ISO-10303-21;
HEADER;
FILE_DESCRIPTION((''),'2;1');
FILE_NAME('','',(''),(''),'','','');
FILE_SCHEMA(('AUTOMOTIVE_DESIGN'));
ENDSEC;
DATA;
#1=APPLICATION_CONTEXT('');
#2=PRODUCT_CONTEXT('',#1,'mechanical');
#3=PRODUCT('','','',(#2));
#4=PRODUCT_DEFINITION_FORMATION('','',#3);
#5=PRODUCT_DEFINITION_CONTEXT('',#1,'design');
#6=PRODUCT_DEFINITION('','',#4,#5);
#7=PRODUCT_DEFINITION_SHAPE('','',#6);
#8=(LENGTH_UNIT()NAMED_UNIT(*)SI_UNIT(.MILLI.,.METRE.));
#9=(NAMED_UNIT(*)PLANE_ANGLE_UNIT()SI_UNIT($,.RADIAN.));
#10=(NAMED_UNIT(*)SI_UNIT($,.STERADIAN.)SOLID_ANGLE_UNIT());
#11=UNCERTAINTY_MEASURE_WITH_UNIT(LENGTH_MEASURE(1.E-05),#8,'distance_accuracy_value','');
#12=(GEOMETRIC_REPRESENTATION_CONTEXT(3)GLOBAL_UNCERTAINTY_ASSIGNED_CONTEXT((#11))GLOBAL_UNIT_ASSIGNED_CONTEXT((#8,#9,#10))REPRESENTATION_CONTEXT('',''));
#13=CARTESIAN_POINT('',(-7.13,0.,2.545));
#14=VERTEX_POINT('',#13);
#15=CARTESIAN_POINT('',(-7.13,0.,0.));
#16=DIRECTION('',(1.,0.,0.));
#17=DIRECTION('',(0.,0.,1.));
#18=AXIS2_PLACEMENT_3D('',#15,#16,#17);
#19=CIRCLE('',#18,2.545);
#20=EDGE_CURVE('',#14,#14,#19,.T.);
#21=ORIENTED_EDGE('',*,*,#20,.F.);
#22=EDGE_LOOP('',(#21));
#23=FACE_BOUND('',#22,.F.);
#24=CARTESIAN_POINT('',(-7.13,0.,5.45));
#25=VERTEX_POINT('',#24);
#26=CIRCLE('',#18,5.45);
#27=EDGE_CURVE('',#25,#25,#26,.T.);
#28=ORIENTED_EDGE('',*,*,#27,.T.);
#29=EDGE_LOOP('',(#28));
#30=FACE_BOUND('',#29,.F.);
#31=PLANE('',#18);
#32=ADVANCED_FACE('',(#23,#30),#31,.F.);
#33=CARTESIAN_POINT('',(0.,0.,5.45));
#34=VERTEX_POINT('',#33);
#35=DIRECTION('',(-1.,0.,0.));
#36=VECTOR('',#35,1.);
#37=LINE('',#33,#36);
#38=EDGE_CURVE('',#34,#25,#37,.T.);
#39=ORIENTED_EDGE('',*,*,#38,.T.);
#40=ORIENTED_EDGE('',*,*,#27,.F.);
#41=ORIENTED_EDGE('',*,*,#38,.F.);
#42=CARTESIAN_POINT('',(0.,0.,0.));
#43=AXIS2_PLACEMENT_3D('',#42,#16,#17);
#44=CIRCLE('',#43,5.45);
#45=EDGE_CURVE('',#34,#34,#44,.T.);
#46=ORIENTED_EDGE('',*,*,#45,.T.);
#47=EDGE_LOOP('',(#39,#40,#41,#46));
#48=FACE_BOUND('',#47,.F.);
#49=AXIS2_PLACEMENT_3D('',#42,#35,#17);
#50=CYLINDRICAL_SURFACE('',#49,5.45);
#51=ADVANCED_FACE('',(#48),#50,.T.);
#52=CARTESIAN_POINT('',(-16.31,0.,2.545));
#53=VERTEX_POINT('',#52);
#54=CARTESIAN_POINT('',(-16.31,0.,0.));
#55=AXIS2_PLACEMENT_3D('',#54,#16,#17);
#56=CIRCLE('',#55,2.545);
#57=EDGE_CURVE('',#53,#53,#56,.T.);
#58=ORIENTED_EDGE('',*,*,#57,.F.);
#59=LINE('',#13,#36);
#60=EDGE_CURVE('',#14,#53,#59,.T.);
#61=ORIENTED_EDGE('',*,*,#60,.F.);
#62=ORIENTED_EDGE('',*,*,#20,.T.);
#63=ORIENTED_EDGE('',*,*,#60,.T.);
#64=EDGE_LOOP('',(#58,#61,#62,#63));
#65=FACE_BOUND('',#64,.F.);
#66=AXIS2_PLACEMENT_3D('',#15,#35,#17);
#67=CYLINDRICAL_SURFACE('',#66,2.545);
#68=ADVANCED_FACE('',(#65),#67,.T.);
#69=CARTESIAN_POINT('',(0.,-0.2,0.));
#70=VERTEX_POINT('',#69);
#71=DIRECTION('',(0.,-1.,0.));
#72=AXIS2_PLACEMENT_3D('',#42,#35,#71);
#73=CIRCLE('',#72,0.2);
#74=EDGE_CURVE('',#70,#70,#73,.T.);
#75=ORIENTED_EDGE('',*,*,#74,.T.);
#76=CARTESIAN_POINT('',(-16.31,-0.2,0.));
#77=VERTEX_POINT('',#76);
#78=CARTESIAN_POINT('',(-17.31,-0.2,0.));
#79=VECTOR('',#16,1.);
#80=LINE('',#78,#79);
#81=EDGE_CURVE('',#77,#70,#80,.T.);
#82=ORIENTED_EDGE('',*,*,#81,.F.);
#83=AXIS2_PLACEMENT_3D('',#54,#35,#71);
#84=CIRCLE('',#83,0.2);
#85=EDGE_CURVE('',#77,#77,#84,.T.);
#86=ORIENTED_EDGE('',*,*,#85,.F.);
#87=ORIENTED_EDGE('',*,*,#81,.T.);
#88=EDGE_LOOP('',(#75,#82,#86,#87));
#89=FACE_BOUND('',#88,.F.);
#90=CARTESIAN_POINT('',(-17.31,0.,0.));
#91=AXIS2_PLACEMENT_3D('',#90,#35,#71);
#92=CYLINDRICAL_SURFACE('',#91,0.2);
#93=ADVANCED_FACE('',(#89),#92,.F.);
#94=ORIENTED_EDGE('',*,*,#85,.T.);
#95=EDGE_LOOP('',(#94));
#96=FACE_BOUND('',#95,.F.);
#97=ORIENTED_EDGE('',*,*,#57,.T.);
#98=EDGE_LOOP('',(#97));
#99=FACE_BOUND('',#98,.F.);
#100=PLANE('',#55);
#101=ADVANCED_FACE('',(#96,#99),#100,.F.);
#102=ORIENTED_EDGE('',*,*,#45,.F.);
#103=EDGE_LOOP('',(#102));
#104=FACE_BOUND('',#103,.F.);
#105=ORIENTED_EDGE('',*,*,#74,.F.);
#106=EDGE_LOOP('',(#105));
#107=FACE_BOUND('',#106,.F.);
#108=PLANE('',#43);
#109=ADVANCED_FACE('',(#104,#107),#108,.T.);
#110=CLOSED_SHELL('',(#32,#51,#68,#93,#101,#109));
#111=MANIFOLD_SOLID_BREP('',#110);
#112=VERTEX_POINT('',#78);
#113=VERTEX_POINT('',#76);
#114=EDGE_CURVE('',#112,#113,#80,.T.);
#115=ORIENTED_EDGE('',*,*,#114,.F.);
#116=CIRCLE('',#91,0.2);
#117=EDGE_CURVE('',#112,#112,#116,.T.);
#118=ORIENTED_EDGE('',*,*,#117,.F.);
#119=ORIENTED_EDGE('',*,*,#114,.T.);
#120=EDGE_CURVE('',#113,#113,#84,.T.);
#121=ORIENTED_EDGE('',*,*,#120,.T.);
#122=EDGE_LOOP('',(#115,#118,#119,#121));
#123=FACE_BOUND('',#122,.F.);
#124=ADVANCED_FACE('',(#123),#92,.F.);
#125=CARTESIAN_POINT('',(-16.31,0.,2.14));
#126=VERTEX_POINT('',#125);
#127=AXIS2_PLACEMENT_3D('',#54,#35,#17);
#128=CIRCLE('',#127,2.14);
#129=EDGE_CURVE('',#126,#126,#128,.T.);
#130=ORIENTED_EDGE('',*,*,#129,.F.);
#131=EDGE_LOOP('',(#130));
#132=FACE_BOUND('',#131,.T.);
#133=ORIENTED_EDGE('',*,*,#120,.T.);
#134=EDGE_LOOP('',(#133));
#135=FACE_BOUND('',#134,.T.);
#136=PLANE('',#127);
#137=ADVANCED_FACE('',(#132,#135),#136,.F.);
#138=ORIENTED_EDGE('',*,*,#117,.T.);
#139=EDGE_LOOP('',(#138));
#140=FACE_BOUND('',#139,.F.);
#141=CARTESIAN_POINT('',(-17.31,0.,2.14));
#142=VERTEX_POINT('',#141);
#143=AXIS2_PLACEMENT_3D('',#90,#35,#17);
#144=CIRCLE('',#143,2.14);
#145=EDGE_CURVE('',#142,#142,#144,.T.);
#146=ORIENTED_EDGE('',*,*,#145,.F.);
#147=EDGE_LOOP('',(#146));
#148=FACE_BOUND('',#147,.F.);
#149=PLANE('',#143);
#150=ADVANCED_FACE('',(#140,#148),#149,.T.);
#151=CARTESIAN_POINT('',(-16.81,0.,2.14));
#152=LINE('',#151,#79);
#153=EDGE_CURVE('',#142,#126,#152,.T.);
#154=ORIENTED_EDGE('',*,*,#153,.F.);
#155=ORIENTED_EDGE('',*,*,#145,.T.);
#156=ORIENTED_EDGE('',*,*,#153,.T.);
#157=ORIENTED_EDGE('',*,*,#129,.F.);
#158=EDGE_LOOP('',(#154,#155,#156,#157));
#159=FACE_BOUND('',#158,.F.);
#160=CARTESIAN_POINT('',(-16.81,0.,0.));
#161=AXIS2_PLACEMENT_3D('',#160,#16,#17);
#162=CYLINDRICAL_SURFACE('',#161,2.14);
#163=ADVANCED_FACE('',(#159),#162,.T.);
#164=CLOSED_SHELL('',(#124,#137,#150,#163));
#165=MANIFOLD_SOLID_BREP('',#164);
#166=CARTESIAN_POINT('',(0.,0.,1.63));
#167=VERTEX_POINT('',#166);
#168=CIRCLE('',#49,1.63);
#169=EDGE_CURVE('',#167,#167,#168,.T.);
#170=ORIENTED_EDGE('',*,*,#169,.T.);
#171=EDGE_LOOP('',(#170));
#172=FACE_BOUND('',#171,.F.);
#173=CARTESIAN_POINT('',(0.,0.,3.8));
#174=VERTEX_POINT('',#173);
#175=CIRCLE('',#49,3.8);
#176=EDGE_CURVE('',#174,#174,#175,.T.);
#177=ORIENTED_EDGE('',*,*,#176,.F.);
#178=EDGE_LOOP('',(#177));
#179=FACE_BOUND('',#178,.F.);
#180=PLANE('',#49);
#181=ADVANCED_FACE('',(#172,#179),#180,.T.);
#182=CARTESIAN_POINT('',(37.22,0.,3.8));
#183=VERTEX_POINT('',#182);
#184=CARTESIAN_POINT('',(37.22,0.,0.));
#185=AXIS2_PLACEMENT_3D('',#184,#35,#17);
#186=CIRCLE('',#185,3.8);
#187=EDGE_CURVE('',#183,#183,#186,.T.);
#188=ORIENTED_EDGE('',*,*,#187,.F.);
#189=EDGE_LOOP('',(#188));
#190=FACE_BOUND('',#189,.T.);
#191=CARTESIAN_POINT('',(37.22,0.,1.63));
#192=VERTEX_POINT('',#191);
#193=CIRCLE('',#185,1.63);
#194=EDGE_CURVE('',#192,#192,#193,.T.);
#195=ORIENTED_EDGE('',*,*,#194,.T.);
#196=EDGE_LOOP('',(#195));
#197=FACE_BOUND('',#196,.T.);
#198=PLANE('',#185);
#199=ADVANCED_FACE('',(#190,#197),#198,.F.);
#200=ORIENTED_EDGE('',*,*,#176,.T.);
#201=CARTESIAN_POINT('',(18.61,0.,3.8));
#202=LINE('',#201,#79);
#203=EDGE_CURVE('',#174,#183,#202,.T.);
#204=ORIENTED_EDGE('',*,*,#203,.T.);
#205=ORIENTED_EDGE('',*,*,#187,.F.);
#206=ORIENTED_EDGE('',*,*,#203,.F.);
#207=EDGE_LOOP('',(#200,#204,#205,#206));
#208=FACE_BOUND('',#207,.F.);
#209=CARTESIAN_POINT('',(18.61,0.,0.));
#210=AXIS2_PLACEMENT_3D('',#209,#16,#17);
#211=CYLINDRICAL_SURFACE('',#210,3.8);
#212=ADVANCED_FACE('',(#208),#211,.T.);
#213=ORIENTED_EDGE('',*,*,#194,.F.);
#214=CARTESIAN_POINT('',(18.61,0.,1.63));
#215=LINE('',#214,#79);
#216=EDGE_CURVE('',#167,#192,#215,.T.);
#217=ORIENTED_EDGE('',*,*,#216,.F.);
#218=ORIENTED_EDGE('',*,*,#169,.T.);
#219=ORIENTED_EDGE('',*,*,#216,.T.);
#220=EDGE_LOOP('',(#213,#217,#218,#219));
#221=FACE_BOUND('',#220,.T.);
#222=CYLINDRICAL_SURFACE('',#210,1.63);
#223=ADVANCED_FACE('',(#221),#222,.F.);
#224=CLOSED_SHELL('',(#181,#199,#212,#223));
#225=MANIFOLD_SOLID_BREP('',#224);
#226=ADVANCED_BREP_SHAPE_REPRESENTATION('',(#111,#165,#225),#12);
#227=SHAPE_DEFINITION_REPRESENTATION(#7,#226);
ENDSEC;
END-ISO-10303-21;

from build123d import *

# Parameters (mm, degrees)
F0_W     = 37.22
F0_H     = 2.17
F2_W     = 1
F2_H     = 2.14
F6_R     = 0.2
F7_DEPTH = 54.531


with BuildPart() as f3:
    # F0 (on Front) → F3 (revolve)
    with BuildSketch(Plane.XZ):
        with Locations((18.61, 2.715)):
            Rectangle(F0_W, F0_H)
    revolve(axis=Axis((9.868568, 0, 0), (-1, 0, 0)))


with BuildPart() as f4:
    # F1 (on Front) → F4 (revolve)
    with BuildSketch(Plane.XZ):
        Polygon((-16.31, 0), (0, 0), (0, 5.45), (-7.13, 5.45), (-7.13, 2.545), (-16.31, 2.545), align=None)
    revolve(axis=Axis((-8.155, 0, 0), (1, 0, 0)))


with BuildPart() as f5:
    # F2 (on Front) → F5 (revolve)
    with BuildSketch(Plane.XZ):
        with Locations((-16.81, 1.07)):
            Rectangle(F2_W, F2_H)
    revolve(axis=Axis((-16.81, 0, 0), (-1, 0, 0)))


with BuildPart() as f7_tool:
    # F6 (on face) → F7 (new body, through all)
    with BuildSketch(Plane(origin=(-17.31, 0, 0), x_dir=(0, -1, 0), z_dir=(-1, 0, 0))):
        Circle(F6_R)
    extrude(amount=-F7_DEPTH)


with BuildPart() as f4_1:
    add(f4.part)

    # F7: cut by f7_tool
    add(f7_tool.part, mode=Mode.SUBTRACT)


with BuildPart() as f5_1:
    add(f5.part)

    # F7: cut by f7_tool
    add(f7_tool.part, mode=Mode.SUBTRACT)


solid = Compound([f3.part, f4_1.part, f5_1.part])
